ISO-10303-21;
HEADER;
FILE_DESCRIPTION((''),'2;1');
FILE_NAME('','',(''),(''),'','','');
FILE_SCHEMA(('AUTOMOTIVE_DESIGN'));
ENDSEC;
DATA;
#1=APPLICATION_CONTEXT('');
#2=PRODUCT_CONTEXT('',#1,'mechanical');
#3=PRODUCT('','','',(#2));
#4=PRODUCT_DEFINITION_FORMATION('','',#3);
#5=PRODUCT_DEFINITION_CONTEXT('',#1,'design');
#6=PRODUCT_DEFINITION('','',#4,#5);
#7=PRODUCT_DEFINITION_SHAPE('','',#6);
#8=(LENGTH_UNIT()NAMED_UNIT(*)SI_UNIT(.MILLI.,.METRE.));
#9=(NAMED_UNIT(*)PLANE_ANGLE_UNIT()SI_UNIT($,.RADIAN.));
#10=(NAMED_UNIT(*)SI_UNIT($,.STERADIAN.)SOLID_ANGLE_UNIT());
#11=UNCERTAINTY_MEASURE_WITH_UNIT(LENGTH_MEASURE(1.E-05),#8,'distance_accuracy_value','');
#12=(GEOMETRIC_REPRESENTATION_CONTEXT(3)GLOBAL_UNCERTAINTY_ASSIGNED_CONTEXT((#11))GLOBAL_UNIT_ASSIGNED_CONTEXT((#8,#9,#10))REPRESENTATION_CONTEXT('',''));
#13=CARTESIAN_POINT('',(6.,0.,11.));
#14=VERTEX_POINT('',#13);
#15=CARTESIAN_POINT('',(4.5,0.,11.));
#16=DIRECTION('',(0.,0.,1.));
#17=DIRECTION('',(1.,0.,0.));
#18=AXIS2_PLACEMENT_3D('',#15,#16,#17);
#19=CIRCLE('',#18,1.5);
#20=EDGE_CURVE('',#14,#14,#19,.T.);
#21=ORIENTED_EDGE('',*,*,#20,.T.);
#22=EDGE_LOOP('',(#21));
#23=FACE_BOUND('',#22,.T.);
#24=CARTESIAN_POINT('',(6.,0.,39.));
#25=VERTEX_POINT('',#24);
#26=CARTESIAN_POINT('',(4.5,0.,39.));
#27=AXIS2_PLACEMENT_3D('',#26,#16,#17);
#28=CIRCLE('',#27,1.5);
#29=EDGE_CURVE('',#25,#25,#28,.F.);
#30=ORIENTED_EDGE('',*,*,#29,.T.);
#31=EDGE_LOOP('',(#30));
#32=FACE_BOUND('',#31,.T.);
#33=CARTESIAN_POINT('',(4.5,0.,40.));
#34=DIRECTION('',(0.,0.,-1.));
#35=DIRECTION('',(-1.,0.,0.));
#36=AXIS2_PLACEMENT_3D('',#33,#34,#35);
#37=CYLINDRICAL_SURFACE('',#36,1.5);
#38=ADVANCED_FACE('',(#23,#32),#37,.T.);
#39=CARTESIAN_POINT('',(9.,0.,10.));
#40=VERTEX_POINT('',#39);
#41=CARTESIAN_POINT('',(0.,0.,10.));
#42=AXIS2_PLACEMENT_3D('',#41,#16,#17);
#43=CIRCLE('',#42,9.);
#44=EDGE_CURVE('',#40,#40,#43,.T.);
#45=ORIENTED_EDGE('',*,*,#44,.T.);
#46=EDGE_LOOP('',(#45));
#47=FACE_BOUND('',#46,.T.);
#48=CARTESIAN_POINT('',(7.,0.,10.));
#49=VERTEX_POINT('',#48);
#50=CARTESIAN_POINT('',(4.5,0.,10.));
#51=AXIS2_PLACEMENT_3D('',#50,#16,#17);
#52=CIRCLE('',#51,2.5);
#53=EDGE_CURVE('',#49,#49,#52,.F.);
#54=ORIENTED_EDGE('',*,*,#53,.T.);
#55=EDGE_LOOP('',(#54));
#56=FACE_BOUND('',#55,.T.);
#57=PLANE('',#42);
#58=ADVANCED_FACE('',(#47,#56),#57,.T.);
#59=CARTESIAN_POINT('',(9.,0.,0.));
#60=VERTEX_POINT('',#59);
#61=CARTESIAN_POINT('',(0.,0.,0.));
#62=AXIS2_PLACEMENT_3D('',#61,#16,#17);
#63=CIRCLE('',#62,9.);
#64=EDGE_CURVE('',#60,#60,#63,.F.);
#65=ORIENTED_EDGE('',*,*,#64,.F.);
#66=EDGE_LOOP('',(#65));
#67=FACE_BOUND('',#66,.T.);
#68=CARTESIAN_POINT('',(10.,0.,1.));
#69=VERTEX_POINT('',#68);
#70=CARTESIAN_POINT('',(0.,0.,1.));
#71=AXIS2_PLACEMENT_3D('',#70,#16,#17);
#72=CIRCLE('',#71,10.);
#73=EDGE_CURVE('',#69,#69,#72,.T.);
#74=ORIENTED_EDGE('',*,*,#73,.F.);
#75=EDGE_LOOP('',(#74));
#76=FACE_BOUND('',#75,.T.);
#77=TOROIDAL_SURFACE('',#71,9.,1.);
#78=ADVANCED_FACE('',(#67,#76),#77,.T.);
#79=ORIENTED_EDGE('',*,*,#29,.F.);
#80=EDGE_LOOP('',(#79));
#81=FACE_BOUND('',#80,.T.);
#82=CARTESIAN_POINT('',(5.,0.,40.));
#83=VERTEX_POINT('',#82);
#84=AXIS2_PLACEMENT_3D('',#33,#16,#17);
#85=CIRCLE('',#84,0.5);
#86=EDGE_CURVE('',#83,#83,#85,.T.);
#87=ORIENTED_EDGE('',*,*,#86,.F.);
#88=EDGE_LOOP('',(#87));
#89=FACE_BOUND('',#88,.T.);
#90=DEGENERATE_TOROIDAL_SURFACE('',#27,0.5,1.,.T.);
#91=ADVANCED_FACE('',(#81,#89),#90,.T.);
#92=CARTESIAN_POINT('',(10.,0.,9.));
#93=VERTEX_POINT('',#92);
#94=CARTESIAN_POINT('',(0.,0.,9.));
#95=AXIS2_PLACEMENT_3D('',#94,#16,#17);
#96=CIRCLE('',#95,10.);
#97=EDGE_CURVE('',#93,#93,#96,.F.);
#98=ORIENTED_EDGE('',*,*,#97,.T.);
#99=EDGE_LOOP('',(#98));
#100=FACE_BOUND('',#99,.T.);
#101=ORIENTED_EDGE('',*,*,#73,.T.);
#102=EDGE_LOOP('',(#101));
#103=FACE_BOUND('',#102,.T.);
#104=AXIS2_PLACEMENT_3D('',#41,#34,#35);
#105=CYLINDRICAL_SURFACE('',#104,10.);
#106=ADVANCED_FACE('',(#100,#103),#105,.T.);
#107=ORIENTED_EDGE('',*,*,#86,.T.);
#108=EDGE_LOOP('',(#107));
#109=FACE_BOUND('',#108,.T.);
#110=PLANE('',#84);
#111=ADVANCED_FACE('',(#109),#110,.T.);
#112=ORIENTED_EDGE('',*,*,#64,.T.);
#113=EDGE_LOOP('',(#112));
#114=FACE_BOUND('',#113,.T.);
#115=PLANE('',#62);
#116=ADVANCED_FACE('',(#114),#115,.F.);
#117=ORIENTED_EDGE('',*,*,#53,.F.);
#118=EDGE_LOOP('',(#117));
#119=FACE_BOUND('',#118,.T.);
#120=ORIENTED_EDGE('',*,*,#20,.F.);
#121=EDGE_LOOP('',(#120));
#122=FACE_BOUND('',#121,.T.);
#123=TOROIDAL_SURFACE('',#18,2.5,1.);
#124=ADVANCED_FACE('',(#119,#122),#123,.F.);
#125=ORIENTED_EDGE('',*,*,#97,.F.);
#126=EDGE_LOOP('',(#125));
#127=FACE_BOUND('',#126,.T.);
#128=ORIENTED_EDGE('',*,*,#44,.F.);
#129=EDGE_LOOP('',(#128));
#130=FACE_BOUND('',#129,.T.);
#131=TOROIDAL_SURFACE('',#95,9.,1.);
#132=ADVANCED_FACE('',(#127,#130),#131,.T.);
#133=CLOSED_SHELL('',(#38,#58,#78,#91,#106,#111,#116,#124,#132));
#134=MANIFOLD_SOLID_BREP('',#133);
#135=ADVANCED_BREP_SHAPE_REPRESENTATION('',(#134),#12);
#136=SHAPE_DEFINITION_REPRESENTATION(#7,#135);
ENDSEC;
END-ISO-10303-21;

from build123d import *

# Parameters (mm, degrees)
SKETCH1_R           = 10
BOSS_EXTRUDE1_DEPTH = 10
SKETCH2_R           = 1.5
BOSS_EXTRUDE2_DEPTH = 30
FILLET1_R           = 1


with BuildPart() as part:
    # Sketch1 → Boss-Extrude1 (new body)
    with BuildSketch(Plane.XY):
        Circle(SKETCH1_R)
    extrude(amount=BOSS_EXTRUDE1_DEPTH)

    # Sketch2 → Boss-Extrude2 (add)
    with BuildSketch(Plane.XY.offset(10)):
        with Locations((4.5, 0)):
            Circle(SKETCH2_R)
    extrude(amount=BOSS_EXTRUDE2_DEPTH)

    # Fillet1
    fillet1_edges = [part.edges().sort_by_distance(p)[0] for p in [
        (-10, 0, 0),
        (-10, 0, 10),
        (3, 0, 10),
        (3, 0, 40),
    ]]
    fillet(fillet1_edges, radius=FILLET1_R)


solid = part.part
